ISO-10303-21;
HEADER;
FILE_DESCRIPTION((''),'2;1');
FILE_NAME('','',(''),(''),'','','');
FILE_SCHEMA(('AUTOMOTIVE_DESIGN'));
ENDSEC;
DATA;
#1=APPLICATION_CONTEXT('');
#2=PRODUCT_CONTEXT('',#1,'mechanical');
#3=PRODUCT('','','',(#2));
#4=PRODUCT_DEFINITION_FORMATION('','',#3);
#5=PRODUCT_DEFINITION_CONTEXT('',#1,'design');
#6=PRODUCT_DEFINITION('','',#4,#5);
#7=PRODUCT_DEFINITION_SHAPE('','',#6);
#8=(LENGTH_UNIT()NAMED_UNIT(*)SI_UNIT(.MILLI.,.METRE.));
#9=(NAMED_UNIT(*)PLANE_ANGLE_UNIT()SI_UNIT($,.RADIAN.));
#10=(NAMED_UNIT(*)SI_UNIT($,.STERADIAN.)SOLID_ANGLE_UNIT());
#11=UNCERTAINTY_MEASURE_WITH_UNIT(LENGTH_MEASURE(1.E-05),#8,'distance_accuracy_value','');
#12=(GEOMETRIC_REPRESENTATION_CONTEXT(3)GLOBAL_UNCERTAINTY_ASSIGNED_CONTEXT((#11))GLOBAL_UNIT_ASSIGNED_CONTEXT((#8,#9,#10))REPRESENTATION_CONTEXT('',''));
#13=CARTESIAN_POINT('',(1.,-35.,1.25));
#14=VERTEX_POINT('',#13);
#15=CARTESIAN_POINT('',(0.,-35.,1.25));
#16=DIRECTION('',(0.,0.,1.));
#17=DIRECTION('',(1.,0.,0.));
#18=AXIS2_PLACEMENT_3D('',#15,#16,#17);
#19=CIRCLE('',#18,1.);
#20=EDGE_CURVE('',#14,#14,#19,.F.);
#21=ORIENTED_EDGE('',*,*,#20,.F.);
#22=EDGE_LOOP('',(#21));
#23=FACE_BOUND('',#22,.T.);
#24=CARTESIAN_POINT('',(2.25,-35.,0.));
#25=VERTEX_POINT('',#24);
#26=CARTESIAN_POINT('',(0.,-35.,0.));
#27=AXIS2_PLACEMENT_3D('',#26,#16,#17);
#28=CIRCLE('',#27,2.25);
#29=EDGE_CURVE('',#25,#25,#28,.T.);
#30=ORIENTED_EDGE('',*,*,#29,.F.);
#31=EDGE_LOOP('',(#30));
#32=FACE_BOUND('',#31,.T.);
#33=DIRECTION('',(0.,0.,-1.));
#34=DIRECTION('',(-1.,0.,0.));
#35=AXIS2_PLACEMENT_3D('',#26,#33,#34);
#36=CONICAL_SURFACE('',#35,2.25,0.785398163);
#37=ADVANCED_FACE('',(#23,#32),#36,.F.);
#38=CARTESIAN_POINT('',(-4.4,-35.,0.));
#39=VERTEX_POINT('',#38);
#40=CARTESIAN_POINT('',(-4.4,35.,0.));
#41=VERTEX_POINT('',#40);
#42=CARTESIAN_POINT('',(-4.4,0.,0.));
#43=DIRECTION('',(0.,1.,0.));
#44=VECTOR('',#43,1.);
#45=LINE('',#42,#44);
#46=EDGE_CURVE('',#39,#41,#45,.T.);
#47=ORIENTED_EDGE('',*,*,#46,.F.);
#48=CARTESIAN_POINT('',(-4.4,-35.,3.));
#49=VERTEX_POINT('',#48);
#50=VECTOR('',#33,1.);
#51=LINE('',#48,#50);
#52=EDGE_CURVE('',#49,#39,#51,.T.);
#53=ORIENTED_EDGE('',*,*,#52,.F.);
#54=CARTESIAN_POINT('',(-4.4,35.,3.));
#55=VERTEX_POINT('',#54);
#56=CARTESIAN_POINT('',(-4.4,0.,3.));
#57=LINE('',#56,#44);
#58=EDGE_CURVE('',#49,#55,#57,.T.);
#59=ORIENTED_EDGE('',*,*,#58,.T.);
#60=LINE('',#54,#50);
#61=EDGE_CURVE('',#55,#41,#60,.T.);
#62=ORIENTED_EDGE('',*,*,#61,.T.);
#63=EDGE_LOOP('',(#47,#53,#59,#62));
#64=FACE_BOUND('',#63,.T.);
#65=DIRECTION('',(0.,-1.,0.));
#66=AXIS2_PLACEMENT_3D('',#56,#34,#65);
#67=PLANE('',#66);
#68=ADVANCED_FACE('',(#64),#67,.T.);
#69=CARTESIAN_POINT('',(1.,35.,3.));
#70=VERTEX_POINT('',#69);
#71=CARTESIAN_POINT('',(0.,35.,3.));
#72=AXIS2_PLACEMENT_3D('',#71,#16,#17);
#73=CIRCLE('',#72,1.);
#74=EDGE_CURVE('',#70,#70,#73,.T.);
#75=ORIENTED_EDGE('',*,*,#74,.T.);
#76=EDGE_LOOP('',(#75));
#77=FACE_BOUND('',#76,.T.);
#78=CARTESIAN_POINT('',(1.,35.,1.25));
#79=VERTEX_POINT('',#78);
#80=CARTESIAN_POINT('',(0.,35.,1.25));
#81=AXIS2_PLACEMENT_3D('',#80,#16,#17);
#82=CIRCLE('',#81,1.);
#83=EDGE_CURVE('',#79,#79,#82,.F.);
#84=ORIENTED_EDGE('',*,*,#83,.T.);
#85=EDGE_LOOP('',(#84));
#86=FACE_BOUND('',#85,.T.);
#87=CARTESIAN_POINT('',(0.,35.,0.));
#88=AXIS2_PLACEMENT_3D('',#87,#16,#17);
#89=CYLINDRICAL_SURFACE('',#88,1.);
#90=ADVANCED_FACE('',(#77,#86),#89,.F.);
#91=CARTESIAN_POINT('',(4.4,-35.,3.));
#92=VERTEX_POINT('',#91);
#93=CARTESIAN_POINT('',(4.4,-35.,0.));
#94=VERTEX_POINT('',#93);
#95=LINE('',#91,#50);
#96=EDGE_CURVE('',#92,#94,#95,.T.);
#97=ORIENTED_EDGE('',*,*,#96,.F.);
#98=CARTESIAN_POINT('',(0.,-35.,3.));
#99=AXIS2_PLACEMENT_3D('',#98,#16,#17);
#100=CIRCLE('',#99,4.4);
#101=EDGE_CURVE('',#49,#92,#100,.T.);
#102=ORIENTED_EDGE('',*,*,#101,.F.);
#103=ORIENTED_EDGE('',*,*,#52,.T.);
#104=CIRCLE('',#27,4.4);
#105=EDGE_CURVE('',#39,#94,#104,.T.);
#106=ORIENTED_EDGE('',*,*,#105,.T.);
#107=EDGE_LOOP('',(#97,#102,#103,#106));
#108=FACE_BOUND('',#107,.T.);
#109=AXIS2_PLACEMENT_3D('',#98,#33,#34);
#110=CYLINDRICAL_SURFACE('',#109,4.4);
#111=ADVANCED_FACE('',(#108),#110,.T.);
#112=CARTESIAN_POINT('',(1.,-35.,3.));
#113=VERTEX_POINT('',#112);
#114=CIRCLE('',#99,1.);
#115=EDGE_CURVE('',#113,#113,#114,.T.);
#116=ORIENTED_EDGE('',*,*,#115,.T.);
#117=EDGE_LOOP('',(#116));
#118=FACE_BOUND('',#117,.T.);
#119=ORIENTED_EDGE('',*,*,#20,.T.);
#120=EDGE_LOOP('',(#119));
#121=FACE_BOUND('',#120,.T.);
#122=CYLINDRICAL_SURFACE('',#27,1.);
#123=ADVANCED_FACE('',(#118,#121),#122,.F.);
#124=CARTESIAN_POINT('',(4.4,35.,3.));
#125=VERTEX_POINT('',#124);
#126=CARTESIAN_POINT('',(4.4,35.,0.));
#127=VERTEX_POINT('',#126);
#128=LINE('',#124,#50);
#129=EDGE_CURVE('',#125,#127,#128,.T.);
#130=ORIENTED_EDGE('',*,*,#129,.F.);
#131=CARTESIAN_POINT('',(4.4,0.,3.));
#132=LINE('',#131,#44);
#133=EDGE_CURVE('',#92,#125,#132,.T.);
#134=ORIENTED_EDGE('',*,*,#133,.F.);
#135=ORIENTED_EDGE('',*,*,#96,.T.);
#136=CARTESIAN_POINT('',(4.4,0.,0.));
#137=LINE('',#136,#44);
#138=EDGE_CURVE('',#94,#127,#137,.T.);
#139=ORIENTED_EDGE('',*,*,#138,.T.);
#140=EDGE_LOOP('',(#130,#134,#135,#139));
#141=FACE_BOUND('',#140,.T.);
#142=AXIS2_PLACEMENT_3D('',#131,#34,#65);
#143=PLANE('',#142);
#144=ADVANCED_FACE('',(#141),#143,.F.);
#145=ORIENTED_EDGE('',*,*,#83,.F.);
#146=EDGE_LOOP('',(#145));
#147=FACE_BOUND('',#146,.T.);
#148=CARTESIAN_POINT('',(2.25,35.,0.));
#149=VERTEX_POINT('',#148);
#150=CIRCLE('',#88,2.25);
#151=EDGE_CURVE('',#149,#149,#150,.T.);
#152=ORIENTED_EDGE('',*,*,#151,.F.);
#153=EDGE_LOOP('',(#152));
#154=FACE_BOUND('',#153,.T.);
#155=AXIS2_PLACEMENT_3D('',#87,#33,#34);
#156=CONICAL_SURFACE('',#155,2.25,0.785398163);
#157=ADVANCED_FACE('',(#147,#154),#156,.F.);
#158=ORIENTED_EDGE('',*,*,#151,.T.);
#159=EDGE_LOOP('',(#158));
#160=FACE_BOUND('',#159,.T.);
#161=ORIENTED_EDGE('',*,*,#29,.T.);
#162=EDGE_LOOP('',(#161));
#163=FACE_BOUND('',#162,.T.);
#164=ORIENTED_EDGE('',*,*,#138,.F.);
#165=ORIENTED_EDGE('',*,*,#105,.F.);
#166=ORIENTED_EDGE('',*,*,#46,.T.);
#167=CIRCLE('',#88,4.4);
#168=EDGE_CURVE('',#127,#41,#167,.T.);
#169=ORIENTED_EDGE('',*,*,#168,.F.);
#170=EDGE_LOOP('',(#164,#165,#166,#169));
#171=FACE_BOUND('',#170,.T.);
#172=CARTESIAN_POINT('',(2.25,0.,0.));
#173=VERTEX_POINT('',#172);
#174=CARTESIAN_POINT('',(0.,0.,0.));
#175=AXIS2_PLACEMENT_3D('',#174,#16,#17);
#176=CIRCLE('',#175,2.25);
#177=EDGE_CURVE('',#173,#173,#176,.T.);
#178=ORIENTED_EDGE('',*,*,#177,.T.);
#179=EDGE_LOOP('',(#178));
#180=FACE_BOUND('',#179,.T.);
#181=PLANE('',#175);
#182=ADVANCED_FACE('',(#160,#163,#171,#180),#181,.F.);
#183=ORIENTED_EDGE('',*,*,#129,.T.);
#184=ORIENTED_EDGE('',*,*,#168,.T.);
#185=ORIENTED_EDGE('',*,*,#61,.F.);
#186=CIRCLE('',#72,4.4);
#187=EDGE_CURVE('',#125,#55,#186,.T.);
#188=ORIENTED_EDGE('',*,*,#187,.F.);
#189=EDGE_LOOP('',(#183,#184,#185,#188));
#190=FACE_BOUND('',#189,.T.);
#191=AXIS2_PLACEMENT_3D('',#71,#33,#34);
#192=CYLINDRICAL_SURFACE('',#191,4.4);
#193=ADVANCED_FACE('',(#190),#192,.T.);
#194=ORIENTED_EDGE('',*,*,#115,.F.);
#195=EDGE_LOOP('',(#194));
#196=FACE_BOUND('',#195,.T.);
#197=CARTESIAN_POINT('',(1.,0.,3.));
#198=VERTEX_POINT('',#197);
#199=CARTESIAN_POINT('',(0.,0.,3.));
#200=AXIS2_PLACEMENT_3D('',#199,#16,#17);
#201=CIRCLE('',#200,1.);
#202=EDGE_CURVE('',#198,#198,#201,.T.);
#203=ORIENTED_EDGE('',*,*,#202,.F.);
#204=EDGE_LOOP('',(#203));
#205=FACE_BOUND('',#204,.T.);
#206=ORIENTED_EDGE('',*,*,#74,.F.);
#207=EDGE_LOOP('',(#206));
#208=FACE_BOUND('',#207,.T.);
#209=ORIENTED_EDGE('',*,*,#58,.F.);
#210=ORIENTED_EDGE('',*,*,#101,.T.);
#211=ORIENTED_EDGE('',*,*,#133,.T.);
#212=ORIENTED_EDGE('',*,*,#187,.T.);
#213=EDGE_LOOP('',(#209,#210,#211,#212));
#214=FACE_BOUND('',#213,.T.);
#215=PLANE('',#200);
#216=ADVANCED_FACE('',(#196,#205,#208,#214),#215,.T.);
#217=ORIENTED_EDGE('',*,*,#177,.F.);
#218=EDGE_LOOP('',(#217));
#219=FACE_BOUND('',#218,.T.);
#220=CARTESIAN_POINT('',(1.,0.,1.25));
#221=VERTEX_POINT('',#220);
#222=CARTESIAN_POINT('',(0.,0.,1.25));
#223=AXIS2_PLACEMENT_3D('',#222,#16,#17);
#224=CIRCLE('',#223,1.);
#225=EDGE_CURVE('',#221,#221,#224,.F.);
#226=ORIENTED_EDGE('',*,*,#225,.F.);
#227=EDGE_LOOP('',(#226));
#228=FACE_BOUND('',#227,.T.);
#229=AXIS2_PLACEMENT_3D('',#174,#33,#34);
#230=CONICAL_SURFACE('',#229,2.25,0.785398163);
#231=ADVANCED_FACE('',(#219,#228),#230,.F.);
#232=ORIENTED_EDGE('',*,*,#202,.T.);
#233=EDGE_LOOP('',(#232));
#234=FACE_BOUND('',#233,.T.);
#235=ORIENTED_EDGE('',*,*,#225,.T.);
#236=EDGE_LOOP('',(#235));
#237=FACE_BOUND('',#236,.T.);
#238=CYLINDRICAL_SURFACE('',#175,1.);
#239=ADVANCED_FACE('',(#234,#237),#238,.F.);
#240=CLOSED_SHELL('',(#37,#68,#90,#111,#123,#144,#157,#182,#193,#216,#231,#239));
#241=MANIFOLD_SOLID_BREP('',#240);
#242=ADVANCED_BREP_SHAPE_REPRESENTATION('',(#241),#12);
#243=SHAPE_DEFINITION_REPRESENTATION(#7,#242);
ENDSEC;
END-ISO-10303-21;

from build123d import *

# Parameters (mm, degrees)
BOSS_EXTRUDE1_DEPTH = 3
SKETCH6_R           = 1
CUT_EXTRUDE1_DEPTH  = 3
CHAMFER1_SIZE       = 1.25


with BuildPart() as part:
    # Sketch1 → Boss-Extrude1 (new body)
    with BuildSketch(Plane(origin=(0, 0, 0), x_dir=(0, 1, 0), z_dir=(0, 0, 1))):
        with BuildLine():
            Line((-35, 4.4), (35, 4.4))
            ThreePointArc((35, 4.4), (39.4, 0), (35, -4.4))
            Line((35, -4.4), (-35, -4.4))
            ThreePointArc((-35, -4.4), (-39.4, 0), (-35, 4.4))
        make_face()
    extrude(amount=BOSS_EXTRUDE1_DEPTH)

    # Sketch6 → Cut-Extrude1 (cut)
    with BuildSketch(Plane.XY.offset(3)):
        with Locations((0, 35)):
            Circle(SKETCH6_R)
        with Locations((0, -35)):
            Circle(SKETCH6_R)
        Circle(SKETCH6_R)
    extrude(amount=-CUT_EXTRUDE1_DEPTH, mode=Mode.SUBTRACT)

    # Chamfer1
    chamfer1_edges = [part.edges().sort_by_distance(p)[0] for p in [
        (-1, 35, 0),
        (-1, -35, 0),
        (-1, 0, 0),
    ]]
    chamfer(chamfer1_edges, length=CHAMFER1_SIZE)


solid = part.part
